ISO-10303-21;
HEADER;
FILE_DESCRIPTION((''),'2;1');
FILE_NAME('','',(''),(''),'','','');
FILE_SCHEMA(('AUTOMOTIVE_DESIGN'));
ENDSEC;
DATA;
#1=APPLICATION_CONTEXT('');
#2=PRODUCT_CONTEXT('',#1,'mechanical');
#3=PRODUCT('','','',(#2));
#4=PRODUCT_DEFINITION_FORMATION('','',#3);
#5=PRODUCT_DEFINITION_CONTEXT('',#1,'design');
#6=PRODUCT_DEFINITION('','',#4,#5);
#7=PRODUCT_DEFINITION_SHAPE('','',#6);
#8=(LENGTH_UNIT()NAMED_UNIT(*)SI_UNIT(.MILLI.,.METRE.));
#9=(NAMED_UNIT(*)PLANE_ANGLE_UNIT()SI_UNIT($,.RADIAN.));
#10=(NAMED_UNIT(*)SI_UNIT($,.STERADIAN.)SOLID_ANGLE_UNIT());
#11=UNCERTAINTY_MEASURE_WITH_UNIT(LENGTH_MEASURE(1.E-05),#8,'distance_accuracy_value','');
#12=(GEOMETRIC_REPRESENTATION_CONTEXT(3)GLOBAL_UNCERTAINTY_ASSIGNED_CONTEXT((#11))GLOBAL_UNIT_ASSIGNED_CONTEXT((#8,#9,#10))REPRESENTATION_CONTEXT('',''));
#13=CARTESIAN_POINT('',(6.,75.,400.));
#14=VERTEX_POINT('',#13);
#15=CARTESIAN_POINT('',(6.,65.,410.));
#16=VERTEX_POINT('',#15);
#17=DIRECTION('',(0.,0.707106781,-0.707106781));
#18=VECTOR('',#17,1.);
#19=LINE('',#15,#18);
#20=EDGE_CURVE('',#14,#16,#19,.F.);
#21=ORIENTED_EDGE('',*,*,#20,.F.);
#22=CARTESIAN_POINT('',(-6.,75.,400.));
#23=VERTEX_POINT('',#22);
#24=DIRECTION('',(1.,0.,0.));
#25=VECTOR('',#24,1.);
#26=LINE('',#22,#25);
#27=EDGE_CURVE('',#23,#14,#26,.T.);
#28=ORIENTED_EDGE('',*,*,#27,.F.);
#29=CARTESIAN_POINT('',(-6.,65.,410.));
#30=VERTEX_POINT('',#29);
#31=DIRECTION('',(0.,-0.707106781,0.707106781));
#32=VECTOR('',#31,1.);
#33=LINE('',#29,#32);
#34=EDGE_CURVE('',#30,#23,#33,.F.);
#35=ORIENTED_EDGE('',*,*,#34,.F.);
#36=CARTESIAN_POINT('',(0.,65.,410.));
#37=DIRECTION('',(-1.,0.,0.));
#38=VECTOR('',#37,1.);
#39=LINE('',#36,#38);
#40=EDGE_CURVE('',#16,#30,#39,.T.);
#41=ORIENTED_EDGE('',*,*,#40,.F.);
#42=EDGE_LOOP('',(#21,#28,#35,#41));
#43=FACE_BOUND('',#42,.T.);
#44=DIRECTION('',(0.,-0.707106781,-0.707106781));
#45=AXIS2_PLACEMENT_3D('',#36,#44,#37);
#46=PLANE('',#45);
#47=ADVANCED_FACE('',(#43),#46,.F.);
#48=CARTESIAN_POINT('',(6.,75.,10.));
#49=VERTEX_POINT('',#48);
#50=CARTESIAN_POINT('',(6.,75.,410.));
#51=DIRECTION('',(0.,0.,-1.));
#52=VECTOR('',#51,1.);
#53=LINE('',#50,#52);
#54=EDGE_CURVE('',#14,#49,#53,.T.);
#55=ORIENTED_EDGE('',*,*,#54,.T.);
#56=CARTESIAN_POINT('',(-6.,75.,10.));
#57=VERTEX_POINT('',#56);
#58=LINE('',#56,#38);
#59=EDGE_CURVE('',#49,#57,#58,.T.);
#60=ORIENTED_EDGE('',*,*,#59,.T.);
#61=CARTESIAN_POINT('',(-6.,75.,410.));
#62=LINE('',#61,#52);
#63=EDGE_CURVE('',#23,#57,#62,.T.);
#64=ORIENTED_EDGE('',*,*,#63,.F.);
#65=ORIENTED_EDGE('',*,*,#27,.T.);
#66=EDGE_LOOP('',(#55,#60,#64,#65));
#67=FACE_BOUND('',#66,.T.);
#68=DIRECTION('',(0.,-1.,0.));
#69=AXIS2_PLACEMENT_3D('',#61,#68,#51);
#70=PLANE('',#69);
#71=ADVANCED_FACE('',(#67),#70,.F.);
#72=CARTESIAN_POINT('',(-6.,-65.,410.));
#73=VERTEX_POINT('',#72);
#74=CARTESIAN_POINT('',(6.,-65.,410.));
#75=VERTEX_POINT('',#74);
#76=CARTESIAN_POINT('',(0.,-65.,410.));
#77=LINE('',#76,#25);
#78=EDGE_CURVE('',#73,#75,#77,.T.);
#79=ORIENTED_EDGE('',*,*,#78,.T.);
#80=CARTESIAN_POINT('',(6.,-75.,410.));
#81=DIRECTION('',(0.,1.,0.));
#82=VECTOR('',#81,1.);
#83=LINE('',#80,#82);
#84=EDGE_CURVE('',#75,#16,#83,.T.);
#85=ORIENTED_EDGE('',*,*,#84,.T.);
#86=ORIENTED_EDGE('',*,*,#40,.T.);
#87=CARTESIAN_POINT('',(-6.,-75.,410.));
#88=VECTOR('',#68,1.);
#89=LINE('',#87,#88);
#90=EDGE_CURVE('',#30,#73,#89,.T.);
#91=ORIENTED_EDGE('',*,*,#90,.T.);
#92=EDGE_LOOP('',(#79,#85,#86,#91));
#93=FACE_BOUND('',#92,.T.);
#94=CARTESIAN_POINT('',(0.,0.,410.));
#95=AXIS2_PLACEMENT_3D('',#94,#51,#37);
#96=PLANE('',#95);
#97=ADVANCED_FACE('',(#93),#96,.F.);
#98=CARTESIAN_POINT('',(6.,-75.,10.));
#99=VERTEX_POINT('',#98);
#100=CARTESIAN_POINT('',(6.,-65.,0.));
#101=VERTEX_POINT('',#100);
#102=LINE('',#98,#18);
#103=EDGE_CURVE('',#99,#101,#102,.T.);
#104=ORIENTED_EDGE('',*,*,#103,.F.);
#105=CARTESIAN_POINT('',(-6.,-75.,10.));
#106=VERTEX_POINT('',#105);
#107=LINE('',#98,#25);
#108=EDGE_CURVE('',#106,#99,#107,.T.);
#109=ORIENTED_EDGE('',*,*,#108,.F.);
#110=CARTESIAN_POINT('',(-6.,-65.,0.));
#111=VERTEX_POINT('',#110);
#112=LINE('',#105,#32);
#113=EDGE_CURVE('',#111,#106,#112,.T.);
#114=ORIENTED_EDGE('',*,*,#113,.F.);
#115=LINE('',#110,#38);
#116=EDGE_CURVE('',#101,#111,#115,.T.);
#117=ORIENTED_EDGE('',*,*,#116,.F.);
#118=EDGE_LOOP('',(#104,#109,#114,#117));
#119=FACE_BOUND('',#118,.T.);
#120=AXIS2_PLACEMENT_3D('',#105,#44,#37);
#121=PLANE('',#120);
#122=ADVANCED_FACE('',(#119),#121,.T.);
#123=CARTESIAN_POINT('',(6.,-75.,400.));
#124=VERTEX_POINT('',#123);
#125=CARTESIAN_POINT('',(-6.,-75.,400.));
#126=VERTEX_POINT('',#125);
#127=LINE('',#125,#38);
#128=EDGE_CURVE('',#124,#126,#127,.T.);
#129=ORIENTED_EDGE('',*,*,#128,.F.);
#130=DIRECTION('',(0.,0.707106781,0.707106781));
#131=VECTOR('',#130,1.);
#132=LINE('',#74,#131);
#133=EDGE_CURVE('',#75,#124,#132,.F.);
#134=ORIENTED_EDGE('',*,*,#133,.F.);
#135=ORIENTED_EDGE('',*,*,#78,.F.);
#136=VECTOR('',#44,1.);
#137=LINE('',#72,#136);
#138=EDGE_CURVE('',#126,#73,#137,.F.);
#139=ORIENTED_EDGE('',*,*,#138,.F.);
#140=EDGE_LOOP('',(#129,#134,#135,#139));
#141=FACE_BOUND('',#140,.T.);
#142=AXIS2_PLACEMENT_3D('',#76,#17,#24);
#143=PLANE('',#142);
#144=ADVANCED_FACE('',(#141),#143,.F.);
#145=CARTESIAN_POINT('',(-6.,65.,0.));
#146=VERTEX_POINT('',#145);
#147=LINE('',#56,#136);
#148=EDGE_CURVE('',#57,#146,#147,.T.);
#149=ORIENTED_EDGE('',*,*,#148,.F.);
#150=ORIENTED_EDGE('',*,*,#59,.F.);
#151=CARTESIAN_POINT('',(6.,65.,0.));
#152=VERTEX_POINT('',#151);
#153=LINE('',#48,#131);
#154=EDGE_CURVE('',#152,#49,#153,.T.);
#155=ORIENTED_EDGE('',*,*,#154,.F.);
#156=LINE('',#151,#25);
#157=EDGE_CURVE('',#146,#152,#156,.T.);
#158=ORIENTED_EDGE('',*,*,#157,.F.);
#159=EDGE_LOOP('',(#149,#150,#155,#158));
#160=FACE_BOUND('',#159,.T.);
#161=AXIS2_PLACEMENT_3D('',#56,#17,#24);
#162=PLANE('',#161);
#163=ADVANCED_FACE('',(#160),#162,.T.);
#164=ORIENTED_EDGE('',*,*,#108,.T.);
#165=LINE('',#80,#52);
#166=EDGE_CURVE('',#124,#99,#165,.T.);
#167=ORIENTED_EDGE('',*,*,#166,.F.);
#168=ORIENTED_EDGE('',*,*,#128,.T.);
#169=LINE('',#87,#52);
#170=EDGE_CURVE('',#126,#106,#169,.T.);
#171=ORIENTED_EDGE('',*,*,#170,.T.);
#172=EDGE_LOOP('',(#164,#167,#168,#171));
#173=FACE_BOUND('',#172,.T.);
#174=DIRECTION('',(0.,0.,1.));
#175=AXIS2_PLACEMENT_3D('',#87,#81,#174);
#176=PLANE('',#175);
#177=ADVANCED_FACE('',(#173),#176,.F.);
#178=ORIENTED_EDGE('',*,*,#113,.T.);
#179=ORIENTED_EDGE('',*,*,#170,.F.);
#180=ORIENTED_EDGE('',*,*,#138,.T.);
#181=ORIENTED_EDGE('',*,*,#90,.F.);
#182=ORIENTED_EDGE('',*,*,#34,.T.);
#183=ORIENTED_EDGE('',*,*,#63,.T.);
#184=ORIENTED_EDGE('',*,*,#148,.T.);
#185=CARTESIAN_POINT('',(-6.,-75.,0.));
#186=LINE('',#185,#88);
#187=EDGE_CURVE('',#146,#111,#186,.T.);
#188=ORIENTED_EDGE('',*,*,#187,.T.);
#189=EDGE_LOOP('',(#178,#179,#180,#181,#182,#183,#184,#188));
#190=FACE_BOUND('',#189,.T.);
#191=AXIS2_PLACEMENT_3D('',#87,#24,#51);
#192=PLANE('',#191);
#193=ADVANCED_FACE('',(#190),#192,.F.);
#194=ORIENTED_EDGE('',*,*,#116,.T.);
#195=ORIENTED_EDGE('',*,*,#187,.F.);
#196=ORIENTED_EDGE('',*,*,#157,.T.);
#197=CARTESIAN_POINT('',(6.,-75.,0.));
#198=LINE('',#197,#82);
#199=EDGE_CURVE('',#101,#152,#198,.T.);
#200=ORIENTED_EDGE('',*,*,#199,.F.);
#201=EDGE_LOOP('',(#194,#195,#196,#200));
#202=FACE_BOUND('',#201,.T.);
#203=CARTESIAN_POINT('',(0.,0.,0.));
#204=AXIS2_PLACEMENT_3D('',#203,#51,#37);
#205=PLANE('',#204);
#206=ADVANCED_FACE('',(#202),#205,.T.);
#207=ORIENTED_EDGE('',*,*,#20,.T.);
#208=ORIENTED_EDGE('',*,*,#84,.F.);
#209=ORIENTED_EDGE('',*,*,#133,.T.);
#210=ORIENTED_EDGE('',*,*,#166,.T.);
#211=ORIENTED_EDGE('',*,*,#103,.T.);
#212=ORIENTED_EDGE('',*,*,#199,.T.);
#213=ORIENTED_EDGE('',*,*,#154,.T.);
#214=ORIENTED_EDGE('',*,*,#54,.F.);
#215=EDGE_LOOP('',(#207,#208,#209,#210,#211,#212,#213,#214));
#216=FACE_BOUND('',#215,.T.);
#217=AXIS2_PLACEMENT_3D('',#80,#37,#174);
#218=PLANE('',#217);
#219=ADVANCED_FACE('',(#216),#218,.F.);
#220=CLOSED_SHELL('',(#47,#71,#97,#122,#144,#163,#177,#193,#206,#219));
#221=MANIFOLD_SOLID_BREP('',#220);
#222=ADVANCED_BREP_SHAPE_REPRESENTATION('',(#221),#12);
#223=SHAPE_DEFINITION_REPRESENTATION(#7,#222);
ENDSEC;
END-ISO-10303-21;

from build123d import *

# Parameters (mm, degrees)
ESQUISSE1_W        = 12
ESQUISSE1_H        = 150
BOSS_EXTRU_1_DEPTH = 410
CHANFREIN1_SIZE    = 10


with BuildPart() as part:
    # Esquisse1 → Boss.-Extru.1 (new body)
    with BuildSketch(Plane.XY):
        Rectangle(ESQUISSE1_W, ESQUISSE1_H)
    extrude(amount=BOSS_EXTRU_1_DEPTH)

    # Chanfrein1
    chanfrein1_edges = [part.edges().sort_by_distance(p)[0] for p in [
        (0, -75, 410),
        (0, -75, 0),
        (0, 75, 0),
        (0, 75, 410),
    ]]
    chamfer(chanfrein1_edges, length=CHANFREIN1_SIZE)


solid = part.part
